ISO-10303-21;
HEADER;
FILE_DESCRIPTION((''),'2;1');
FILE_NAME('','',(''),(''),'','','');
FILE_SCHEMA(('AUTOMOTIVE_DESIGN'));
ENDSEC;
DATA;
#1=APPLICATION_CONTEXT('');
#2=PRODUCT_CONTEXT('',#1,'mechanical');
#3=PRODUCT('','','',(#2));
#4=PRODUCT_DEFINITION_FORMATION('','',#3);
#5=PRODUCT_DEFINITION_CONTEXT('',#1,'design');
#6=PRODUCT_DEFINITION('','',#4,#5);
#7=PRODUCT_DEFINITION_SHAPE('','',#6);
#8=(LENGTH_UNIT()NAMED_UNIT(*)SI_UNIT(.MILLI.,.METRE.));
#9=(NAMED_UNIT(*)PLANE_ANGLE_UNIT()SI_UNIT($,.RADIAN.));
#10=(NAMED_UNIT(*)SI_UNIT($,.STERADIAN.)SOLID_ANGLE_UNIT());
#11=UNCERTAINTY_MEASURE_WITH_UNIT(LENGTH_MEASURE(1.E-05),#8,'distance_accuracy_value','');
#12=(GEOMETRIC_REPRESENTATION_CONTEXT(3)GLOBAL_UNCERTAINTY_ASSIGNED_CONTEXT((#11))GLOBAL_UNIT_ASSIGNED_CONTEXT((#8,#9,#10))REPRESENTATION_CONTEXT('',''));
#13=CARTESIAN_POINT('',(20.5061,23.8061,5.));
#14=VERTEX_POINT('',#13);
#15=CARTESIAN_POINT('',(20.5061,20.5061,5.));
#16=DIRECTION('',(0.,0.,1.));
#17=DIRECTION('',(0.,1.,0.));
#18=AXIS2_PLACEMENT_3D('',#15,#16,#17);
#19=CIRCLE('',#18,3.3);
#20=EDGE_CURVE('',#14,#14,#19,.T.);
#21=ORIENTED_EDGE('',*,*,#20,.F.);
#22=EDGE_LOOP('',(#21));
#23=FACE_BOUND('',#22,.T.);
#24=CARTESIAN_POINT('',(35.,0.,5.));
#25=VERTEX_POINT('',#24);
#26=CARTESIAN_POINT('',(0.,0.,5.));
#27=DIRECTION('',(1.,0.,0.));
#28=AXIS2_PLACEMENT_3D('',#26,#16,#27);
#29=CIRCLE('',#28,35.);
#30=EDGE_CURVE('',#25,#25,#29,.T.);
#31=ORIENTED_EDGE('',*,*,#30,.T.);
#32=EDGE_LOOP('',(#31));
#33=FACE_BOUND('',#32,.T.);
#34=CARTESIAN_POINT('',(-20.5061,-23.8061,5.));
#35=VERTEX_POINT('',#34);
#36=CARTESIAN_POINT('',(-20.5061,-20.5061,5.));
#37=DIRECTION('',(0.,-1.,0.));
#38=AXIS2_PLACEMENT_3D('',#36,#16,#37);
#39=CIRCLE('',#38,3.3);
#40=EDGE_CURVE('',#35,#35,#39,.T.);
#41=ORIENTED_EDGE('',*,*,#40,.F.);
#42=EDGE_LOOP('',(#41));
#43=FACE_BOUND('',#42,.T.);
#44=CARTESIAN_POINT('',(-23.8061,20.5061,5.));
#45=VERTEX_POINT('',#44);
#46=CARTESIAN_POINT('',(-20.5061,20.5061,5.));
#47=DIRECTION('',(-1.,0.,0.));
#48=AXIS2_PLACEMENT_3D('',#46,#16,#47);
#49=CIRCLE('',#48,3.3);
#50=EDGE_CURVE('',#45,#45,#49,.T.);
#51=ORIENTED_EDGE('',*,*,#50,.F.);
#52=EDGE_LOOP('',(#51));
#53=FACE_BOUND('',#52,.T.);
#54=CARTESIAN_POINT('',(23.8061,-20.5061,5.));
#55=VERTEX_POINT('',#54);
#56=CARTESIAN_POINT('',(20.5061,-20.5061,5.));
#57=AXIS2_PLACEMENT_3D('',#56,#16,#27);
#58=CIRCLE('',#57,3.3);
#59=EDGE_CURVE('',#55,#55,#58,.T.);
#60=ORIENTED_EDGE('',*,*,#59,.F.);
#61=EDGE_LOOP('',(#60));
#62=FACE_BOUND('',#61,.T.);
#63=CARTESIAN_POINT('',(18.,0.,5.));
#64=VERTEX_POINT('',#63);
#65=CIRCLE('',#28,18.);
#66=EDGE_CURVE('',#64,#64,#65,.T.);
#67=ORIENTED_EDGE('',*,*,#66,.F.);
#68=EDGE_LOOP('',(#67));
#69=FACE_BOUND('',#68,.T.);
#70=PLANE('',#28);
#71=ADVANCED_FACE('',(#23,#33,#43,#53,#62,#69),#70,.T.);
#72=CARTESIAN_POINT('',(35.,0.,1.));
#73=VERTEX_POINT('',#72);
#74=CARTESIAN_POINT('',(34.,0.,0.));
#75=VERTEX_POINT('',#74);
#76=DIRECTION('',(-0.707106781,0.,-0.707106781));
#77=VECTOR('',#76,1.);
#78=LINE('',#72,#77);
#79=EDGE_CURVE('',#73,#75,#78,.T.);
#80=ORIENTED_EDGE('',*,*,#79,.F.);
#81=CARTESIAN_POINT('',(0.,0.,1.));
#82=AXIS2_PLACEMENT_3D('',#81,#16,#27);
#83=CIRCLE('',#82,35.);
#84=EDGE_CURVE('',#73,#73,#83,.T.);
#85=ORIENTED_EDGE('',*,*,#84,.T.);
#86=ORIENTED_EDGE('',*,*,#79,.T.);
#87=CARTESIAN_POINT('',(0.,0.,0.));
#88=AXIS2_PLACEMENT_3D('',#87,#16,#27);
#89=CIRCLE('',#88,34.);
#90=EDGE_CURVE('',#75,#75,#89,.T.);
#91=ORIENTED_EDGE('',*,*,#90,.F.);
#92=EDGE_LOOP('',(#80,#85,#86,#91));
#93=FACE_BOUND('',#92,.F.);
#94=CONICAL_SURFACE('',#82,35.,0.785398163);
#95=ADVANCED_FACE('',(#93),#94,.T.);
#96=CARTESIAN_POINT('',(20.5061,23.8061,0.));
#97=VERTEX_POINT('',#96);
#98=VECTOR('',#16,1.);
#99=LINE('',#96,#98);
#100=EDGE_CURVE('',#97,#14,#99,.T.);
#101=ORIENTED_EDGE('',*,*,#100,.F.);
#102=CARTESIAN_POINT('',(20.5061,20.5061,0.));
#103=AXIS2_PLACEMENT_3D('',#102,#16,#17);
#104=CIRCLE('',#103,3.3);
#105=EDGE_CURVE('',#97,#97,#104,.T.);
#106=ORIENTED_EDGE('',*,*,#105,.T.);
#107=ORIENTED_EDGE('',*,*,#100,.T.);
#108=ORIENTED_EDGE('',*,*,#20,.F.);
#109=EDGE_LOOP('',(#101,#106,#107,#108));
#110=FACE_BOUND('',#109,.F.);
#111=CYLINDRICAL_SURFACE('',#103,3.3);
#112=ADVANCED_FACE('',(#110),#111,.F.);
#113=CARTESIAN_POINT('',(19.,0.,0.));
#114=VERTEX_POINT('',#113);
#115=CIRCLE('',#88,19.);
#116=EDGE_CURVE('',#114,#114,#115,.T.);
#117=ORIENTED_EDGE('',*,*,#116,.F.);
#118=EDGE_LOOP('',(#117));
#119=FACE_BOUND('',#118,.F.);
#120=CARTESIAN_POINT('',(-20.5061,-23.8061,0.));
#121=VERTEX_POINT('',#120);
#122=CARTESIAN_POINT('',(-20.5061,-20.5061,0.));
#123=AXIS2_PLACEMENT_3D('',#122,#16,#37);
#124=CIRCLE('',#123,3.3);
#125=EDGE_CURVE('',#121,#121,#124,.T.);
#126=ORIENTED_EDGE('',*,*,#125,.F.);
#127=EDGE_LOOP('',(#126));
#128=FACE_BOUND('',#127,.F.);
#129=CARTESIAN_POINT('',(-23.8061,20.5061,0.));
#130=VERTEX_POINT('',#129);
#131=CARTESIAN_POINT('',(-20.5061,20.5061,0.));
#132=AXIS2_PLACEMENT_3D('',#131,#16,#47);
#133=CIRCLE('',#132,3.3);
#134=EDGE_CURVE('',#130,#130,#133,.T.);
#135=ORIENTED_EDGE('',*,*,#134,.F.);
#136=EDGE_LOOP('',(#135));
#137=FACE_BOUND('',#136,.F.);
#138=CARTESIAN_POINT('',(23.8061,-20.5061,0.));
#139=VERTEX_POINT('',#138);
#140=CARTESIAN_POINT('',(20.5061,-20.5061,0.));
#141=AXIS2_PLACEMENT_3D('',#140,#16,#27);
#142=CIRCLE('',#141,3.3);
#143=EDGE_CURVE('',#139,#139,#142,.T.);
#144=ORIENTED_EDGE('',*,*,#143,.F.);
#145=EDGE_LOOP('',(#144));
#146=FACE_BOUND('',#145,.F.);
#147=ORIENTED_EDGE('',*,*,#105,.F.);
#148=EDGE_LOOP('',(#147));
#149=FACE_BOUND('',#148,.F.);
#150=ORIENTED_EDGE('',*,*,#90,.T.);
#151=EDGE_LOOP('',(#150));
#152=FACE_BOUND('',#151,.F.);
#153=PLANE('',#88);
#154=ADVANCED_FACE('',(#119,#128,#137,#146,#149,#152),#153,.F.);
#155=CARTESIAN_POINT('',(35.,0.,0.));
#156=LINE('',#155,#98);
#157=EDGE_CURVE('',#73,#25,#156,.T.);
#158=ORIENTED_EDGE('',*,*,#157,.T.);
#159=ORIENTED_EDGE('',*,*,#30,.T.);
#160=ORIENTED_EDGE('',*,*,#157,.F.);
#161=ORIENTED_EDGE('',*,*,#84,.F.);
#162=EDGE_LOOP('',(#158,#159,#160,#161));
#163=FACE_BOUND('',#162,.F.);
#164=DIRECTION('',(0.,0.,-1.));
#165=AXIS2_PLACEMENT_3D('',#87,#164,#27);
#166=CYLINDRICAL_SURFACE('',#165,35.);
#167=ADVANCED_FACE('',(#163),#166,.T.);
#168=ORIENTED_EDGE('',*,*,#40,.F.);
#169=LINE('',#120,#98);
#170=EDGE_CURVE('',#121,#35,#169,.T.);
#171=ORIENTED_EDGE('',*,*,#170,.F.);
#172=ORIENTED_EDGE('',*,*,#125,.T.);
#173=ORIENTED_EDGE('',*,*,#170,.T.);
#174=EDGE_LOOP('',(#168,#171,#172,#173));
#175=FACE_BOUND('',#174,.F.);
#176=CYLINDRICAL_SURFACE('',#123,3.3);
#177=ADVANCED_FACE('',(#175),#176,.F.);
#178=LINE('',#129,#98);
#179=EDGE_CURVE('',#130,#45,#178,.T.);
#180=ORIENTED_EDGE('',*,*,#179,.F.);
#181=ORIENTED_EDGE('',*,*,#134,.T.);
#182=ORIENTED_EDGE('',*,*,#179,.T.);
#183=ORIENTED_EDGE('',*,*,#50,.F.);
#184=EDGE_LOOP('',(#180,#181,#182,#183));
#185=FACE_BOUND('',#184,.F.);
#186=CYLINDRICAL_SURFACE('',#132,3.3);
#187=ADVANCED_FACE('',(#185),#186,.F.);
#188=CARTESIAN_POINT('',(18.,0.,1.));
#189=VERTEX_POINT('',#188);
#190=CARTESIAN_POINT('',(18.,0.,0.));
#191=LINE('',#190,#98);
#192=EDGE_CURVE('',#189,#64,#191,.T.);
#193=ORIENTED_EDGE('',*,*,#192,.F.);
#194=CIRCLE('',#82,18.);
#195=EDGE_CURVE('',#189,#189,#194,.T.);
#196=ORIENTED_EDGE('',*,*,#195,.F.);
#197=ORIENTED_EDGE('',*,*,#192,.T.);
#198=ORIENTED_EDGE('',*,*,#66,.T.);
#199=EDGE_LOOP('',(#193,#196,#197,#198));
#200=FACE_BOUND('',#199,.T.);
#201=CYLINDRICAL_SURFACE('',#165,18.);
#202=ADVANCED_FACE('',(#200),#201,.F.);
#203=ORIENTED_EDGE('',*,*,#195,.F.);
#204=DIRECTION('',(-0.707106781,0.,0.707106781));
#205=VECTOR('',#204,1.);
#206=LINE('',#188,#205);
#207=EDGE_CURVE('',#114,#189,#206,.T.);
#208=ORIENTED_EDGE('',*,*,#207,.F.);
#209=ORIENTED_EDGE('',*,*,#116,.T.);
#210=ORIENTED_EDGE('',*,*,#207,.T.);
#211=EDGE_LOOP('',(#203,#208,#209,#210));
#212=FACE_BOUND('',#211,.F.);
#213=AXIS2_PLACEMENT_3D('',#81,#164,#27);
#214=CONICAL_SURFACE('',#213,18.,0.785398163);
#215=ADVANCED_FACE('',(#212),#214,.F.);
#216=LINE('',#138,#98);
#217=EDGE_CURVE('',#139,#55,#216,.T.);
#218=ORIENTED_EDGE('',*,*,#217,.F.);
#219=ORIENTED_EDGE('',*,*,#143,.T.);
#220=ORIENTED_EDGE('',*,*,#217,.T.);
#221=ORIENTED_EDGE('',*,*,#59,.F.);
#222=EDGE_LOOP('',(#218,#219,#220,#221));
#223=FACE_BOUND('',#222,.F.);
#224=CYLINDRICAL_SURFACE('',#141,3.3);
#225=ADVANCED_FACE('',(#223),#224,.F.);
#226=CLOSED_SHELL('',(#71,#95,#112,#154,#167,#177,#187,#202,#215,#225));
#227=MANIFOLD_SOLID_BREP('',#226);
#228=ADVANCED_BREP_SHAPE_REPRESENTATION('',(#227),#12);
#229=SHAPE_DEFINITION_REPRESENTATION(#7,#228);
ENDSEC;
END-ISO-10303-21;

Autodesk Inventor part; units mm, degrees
ref_plane "YZ Plane" through (0, 0, 0) normal (1, 0, 0) x (0, 1, 0)
ref_plane "XZ Plane" through (0, 0, 0) normal (0, 1, 0) x (-1, 0, 0)
ref_plane "XY Plane" through (0, 0, 0) normal (0, 0, 1) x (1, 0, 0)
sketch "Sketch1" plane through (0, 0, 0) normal (0, 0, 1) x (1, 0, 0)
  circle A0 centre (0, 0) radius 35
  circle A1 centre (0, 0) radius 18
  circle A2 centre (0, 0) radius 29 construction
  line L0 (0, 0) -> (0, 29) construction
  line L1 (0, 0) -> (20.5061, 20.5061) construction
  dimension "d0" = 70
  dimension "d1" = 36
  dimension "d2" = 58
  dimension "d3" = 45
extrude "Extrusion1" add sketch "Sketch1" along normal blind 5
hole "Hole1" at (20.5061, 20.5061, 0) direction (0, 0, 1) diameter 6.6 end through all clearance for "Countersunk Flat Head Screw ISO 2009/7046" size "M6" standard "ISO"
pattern_circular "Circular Pattern1" count 4 over 360 about axis through (0, 0, -10) along (0, 0, 1) of "Hole1"
chamfer "Chamfer1" distance 1 angle 45 2 edges at (-18, 0, 0) (-35, 0, 0)
properties part number "PWTR-0051"
